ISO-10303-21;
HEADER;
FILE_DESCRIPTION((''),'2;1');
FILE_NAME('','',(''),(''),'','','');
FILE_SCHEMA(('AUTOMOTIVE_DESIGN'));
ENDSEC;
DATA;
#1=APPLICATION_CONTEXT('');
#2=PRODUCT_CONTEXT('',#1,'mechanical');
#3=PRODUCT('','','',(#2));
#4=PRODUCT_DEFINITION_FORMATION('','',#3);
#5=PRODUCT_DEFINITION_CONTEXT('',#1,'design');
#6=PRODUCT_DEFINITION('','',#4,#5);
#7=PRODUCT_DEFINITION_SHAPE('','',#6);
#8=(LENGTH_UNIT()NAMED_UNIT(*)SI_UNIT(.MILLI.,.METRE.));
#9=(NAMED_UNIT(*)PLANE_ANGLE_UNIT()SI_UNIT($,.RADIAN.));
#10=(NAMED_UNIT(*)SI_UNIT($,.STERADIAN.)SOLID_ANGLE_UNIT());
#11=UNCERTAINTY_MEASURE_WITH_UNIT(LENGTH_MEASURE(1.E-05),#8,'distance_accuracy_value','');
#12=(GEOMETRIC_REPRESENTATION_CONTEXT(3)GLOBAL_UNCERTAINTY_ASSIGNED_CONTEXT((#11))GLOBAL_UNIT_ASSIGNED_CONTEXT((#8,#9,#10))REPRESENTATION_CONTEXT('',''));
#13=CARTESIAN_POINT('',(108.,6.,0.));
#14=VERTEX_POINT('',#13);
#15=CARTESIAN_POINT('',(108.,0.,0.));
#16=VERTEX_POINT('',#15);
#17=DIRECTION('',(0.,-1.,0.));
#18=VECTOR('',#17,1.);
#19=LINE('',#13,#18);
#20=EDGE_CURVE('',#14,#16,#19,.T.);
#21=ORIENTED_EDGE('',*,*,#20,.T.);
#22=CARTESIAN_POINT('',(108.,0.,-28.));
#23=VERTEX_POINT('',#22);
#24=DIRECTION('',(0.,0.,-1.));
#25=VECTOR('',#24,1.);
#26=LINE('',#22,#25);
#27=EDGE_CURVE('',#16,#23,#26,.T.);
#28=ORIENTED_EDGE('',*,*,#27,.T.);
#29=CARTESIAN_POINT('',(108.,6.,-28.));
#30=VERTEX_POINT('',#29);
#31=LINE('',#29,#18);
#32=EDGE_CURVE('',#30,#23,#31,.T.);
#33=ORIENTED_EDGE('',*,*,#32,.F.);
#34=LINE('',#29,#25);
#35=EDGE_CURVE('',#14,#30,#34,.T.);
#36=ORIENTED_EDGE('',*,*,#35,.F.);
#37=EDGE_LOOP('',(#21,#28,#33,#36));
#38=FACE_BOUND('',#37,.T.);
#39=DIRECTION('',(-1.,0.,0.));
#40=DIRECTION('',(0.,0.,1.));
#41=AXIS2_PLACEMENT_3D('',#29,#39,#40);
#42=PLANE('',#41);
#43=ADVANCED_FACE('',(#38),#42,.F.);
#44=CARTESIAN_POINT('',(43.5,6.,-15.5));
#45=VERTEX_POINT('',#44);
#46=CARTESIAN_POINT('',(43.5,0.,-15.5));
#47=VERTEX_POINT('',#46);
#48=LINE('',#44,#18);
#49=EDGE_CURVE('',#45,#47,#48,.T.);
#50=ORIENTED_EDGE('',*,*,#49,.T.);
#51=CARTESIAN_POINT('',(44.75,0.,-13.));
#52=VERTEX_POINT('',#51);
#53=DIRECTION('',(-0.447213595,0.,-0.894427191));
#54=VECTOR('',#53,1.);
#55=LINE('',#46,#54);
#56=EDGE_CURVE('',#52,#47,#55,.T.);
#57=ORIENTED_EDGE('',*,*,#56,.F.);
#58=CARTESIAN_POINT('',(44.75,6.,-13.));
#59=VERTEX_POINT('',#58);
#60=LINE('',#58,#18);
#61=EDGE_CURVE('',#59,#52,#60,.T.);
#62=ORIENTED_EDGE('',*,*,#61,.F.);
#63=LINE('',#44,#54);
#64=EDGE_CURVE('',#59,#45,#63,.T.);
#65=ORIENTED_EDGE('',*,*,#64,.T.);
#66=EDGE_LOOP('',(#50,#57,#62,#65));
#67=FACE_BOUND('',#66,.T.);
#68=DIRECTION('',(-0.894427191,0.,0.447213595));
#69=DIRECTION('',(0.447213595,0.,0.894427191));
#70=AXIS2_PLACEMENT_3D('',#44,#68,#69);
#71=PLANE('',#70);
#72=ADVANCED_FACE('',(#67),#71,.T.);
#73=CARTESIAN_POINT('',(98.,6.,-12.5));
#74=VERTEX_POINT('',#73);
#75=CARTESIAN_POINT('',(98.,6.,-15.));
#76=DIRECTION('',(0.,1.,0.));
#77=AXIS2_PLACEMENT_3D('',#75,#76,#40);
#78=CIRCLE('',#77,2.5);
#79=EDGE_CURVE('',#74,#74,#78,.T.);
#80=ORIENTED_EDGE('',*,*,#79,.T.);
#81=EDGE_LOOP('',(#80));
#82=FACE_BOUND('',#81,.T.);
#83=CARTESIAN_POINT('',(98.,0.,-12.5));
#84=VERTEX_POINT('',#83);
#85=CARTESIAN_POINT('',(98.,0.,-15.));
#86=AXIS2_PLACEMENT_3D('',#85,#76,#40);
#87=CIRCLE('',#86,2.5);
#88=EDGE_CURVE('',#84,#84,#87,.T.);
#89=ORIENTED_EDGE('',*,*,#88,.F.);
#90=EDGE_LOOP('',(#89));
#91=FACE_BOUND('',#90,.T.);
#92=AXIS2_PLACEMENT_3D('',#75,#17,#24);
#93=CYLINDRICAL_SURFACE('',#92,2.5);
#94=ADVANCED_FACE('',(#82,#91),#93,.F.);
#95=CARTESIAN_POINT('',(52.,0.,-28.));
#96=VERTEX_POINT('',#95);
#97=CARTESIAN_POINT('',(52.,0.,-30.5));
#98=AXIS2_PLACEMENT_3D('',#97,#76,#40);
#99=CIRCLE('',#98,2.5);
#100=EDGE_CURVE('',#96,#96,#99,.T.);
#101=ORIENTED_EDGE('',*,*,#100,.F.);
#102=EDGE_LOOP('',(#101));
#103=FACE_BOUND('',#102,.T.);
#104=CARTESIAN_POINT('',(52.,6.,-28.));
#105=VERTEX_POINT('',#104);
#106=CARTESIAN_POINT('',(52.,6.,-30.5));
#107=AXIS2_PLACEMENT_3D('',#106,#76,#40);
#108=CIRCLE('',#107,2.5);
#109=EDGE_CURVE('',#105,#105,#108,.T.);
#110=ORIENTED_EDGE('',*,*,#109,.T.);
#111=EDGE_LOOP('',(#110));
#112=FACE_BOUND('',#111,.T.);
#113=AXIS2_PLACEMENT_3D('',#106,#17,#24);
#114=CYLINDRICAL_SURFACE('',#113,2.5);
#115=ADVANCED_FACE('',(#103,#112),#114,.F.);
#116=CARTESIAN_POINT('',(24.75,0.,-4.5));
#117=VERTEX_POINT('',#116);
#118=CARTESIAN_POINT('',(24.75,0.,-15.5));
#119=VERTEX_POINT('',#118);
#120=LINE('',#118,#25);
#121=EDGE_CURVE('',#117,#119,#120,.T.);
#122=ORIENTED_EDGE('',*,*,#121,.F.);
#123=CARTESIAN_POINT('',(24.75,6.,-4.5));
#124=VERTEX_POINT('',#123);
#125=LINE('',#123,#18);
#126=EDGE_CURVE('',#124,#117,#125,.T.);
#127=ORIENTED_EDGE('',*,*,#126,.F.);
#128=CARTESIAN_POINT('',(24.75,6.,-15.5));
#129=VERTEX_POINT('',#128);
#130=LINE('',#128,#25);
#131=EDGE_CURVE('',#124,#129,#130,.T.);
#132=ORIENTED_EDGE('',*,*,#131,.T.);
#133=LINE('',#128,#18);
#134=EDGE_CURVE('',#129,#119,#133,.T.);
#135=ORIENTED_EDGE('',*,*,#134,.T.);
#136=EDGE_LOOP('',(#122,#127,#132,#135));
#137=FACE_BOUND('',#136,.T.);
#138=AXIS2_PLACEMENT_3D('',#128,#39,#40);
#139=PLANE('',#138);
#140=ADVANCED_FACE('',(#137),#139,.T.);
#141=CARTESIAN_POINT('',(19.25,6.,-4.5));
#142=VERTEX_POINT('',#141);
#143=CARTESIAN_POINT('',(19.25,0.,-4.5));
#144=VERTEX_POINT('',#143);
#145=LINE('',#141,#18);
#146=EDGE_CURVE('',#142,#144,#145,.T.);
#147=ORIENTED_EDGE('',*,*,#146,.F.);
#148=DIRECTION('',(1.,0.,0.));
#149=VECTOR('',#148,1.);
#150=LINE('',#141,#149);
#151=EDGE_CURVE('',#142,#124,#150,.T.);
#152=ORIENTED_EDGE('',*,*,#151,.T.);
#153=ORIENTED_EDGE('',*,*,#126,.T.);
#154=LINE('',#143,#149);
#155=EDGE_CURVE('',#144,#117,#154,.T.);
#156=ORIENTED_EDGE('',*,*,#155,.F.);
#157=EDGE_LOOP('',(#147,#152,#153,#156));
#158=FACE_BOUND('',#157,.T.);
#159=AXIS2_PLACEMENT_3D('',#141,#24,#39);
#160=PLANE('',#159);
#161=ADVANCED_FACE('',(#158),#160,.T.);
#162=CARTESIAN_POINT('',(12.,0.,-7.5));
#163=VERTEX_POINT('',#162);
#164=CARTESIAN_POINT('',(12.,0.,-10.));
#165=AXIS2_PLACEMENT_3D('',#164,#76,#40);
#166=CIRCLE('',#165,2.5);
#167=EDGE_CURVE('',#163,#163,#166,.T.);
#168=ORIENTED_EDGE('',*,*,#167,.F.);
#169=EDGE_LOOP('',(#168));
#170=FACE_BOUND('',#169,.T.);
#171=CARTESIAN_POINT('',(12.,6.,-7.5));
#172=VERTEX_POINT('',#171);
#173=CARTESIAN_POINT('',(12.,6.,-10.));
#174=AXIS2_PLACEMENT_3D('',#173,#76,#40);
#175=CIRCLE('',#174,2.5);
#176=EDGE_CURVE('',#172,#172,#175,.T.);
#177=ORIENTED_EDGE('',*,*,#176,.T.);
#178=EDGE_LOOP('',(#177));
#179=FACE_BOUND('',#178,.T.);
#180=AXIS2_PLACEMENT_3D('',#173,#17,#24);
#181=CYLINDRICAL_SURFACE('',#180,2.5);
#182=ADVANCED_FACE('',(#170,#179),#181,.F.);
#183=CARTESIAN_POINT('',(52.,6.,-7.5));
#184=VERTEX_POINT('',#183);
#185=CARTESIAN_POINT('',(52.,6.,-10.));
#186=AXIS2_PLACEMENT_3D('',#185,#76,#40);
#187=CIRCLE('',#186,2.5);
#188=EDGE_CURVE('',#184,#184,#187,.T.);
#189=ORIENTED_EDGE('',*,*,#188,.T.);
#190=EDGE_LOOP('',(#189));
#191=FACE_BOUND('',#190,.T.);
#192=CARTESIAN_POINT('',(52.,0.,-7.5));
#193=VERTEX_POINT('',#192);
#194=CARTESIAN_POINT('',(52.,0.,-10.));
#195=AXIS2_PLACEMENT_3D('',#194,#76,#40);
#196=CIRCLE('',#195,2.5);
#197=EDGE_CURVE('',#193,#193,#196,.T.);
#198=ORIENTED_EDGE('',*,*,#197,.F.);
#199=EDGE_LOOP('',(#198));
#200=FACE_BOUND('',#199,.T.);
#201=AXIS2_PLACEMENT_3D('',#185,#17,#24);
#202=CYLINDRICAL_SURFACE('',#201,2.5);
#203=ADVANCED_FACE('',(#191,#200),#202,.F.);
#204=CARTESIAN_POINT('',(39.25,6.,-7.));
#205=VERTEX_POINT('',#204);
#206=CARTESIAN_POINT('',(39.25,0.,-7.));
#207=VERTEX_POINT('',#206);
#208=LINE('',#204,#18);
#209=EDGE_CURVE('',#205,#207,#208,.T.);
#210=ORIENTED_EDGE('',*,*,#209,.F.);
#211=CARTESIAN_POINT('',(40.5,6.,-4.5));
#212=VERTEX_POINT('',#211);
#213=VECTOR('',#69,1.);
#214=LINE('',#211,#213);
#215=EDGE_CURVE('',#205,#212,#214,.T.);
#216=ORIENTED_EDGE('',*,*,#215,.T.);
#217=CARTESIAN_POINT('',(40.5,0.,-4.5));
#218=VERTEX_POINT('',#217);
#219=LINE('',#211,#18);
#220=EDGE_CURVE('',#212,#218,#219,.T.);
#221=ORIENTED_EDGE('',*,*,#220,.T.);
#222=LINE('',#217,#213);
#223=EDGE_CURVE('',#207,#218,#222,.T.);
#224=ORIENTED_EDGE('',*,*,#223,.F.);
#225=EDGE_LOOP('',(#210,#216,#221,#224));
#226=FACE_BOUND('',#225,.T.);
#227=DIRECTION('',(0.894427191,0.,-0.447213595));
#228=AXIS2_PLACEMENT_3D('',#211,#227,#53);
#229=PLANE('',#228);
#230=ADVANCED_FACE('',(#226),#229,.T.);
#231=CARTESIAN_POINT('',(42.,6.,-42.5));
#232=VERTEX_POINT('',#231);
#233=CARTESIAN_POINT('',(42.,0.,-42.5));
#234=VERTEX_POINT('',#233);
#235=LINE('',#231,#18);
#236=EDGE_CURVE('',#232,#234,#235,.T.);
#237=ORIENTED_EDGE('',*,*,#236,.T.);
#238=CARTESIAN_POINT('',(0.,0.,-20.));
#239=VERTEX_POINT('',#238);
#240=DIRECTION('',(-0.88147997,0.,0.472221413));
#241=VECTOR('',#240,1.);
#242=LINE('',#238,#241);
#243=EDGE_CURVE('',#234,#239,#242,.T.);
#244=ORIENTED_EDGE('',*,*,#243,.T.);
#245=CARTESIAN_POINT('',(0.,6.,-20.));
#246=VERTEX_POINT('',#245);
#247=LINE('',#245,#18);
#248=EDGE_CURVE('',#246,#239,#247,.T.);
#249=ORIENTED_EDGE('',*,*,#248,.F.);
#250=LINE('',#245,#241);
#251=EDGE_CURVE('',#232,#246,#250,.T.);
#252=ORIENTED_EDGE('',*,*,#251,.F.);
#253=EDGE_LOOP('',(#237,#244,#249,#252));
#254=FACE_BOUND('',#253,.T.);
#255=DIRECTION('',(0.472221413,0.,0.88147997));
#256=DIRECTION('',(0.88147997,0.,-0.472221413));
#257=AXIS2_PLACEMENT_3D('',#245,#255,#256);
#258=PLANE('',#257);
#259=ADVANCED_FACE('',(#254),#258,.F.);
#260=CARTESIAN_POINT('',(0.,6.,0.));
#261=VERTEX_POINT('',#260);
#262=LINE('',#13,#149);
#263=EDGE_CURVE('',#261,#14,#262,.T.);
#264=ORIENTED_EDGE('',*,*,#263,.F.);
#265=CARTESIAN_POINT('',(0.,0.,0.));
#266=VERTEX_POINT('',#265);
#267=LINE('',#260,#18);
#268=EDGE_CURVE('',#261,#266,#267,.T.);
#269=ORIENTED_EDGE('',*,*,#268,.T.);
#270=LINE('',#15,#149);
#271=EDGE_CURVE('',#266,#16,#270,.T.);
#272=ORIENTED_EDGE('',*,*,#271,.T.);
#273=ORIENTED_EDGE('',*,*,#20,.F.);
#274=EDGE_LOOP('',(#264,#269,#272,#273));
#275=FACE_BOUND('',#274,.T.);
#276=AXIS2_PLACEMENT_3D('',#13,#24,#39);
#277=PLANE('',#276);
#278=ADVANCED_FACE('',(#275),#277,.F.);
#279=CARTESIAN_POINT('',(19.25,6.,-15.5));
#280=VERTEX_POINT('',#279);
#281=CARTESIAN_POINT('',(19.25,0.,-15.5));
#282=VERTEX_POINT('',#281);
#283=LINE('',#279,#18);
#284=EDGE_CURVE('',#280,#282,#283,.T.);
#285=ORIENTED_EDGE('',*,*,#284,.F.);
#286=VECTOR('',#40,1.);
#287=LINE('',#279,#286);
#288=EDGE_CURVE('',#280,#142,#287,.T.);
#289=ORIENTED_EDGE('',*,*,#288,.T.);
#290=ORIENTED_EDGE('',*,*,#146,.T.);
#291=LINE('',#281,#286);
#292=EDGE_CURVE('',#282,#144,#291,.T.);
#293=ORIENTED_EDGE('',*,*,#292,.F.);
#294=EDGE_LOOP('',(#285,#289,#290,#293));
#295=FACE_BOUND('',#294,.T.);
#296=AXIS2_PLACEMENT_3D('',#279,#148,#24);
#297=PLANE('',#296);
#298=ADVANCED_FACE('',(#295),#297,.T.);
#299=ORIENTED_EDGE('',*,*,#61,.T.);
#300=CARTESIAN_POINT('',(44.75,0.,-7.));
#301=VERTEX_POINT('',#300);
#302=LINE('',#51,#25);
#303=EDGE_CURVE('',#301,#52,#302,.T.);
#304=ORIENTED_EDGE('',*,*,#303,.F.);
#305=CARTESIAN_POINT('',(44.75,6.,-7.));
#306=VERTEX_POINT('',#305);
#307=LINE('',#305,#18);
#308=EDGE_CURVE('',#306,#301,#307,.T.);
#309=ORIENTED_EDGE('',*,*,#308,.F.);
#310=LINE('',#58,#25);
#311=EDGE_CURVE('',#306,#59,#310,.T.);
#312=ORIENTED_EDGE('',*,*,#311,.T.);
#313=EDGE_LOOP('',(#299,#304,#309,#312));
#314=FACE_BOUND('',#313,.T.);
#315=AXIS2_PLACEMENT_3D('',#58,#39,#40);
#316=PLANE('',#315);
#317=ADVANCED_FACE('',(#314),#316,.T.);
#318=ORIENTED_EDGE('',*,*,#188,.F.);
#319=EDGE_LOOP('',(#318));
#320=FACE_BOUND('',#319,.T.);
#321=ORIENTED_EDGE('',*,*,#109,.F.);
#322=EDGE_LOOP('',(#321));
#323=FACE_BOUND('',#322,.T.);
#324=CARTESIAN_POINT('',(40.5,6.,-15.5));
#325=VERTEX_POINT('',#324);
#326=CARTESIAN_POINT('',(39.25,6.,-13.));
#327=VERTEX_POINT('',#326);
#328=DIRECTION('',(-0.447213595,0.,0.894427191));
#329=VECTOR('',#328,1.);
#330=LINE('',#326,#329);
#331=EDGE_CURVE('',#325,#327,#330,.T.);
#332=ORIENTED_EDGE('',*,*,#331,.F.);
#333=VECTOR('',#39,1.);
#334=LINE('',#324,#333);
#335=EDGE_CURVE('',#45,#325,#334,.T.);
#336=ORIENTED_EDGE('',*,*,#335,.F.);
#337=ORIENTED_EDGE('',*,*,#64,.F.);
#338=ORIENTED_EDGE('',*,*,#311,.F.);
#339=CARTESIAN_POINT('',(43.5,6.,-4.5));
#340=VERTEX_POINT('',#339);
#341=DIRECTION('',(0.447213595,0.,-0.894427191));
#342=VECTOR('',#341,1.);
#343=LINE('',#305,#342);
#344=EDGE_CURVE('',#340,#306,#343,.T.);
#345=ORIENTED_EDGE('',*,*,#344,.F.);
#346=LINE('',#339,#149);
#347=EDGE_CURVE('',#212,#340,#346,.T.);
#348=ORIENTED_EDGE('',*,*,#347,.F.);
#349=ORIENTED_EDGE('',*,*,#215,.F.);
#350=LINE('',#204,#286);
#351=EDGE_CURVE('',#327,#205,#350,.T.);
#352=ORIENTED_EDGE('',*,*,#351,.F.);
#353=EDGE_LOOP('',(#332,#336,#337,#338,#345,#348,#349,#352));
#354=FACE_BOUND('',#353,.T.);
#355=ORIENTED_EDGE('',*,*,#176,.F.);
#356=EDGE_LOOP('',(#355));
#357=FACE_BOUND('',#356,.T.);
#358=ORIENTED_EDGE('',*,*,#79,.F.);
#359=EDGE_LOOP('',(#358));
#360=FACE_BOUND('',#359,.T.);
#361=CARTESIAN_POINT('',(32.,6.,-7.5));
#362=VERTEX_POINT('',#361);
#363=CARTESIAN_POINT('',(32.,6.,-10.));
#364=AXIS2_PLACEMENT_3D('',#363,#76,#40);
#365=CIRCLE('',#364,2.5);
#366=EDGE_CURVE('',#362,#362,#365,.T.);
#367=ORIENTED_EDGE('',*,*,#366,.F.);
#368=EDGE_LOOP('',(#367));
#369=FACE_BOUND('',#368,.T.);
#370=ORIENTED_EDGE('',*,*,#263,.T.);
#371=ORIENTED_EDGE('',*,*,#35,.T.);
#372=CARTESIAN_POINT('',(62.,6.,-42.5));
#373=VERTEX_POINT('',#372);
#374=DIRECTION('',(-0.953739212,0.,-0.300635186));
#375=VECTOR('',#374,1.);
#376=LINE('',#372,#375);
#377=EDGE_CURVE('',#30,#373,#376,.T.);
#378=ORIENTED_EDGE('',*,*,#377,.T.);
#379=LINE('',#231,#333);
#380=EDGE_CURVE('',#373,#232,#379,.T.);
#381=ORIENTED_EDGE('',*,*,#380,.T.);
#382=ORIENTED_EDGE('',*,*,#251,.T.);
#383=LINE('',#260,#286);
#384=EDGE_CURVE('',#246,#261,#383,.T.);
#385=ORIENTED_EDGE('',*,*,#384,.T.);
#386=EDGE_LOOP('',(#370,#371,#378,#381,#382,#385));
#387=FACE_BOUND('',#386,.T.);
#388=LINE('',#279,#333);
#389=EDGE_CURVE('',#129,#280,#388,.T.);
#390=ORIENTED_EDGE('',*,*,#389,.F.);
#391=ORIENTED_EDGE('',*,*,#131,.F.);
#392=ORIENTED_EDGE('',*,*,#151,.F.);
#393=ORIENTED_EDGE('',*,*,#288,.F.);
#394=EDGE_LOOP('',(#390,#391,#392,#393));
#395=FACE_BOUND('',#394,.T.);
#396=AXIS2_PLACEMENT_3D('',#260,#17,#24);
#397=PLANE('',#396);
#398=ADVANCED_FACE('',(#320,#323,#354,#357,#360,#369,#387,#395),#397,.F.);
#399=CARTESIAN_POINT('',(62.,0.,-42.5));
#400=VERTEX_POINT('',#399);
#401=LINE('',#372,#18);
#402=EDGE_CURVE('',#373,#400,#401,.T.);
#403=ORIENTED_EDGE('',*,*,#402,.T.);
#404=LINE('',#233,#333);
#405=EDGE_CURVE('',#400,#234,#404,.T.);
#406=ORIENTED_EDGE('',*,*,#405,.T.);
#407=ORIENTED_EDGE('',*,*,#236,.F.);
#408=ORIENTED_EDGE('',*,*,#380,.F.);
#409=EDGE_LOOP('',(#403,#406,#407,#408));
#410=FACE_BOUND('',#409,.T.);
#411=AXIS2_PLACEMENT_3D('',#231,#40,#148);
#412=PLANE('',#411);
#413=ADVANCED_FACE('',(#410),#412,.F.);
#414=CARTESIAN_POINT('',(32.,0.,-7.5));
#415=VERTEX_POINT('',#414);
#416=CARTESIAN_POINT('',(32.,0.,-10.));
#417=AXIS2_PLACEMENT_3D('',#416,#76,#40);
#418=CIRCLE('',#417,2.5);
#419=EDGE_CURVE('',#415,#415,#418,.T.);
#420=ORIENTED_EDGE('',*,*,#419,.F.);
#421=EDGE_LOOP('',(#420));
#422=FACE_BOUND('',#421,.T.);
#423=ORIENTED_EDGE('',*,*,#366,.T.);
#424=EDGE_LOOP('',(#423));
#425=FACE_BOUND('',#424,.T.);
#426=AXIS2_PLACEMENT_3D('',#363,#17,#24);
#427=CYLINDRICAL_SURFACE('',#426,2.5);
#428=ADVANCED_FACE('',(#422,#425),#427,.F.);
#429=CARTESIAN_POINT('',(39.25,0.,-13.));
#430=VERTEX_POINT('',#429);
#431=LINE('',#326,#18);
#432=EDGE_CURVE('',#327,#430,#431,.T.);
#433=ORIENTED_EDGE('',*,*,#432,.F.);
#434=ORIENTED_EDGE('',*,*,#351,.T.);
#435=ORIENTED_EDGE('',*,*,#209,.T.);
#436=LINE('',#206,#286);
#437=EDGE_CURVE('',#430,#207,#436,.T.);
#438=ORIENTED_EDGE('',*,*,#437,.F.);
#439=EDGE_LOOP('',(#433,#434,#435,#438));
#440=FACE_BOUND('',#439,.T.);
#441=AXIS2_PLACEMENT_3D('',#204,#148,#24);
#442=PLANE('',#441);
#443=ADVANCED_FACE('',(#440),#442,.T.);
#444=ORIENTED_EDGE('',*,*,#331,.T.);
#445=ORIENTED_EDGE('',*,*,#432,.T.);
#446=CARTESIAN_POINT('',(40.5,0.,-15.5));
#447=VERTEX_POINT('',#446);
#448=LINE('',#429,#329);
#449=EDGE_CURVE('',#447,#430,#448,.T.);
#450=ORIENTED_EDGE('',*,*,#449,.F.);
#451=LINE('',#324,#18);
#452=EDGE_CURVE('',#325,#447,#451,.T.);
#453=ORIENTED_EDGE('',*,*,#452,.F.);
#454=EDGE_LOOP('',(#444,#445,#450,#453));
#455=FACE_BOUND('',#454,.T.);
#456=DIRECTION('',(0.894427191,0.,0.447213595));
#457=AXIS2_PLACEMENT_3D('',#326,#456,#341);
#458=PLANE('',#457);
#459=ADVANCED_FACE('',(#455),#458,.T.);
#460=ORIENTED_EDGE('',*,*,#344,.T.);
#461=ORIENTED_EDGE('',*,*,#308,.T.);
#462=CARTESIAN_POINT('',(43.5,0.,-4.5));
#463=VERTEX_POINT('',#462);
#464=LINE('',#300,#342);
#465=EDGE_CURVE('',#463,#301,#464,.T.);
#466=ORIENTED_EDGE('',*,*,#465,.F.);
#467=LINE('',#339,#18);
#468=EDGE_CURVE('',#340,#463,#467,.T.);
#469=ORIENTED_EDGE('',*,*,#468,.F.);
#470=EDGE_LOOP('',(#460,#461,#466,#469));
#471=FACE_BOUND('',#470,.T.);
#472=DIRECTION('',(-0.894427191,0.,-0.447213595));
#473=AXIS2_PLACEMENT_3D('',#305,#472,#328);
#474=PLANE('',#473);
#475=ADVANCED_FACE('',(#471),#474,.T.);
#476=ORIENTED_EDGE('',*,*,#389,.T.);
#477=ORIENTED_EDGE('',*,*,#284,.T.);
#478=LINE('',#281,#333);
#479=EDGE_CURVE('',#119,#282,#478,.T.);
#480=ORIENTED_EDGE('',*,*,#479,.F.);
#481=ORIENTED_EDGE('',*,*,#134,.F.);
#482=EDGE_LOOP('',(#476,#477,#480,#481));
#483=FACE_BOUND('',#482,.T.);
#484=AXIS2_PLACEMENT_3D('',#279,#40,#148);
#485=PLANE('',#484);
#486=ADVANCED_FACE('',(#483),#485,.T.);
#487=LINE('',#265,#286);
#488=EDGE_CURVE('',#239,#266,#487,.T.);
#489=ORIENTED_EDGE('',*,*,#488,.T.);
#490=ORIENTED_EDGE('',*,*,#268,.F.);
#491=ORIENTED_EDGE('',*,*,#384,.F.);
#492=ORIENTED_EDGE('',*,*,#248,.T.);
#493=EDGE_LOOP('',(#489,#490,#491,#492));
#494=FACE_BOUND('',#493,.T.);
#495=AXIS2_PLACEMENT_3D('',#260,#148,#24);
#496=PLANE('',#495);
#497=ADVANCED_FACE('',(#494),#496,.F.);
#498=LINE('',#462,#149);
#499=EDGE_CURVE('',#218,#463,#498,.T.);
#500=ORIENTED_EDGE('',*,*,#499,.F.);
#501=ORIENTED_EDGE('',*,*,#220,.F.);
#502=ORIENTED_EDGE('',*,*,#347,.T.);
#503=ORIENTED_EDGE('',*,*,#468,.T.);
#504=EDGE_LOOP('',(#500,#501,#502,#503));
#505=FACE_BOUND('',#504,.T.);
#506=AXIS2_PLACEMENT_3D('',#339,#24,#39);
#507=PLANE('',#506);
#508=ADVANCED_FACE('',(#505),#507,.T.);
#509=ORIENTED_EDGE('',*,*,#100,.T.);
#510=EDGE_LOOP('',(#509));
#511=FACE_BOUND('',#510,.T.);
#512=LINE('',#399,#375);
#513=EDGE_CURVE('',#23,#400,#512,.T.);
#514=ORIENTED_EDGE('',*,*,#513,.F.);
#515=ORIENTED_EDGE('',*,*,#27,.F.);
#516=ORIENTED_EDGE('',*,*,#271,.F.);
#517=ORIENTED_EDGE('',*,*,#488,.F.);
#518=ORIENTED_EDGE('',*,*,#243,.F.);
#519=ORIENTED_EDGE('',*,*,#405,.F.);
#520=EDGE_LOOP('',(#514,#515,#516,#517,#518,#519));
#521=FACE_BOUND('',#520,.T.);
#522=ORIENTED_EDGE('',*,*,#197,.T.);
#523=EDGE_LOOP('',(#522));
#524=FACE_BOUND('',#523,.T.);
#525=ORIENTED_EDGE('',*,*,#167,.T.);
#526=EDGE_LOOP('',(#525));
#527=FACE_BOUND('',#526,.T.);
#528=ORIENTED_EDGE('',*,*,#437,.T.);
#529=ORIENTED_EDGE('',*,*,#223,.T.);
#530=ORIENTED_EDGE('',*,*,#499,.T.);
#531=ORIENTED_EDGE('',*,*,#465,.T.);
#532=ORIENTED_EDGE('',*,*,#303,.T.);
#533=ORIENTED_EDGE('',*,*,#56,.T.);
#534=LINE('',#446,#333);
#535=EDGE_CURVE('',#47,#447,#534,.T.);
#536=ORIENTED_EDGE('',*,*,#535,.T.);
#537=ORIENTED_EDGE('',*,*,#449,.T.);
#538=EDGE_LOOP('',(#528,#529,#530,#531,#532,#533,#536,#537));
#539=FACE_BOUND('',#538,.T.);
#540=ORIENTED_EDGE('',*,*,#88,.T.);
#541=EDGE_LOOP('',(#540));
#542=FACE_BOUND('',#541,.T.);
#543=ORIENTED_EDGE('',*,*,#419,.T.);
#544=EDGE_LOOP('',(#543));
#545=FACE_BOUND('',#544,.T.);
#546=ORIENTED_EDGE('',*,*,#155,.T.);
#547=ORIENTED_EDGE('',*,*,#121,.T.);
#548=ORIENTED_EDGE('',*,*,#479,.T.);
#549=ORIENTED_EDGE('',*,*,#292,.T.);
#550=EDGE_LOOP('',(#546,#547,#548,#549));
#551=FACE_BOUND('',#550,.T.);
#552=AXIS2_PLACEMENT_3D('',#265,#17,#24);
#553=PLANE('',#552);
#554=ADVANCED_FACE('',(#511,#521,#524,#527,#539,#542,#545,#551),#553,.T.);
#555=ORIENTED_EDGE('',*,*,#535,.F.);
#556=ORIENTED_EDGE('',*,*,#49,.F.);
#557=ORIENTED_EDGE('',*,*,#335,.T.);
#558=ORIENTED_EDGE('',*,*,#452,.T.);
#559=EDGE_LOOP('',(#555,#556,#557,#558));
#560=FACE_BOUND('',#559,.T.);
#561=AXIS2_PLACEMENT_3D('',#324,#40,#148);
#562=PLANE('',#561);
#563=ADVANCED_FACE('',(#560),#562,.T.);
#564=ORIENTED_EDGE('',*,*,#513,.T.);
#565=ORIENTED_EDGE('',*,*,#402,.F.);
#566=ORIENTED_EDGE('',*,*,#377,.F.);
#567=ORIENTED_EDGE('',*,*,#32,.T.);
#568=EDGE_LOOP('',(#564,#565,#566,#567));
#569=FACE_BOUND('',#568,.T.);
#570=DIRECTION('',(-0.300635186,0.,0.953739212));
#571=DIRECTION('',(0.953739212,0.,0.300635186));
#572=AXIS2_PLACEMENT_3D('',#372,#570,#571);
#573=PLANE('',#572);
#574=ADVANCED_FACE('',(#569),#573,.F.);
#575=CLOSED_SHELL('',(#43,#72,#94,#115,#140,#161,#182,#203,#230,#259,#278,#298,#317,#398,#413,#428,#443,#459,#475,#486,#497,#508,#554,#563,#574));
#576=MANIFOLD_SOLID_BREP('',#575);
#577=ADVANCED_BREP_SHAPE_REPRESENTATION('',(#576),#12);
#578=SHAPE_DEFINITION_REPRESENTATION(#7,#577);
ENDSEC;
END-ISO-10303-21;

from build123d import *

# Parameters (mm, degrees)
SKETCH1_R           = 2.5
SKETCH1_W           = 5.5
SKETCH1_H           = 11
BOSS_EXTRUDE1_DEPTH = 6


with BuildPart() as part:
    # Sketch1 → Boss-Extrude1 (new body)
    with BuildSketch(Plane(origin=(0, 0, 0), x_dir=(1, 0, 0), z_dir=(0, 1, 0))):
        Polygon((0, 0), (0, 20), (42, 42.5), (62, 42.5), (108, 28), (108, 0), align=None)
        with Locations(Location((52, 30.5, 0), (0, 0, 270))):
            Circle(SKETCH1_R, mode=Mode.SUBTRACT)
        with Locations(Location((52, 10, 0), (0, 0, 270))):
            Circle(SKETCH1_R, mode=Mode.SUBTRACT)
        with Locations(Location((32, 10, 0), (0, 0, 270))):
            Circle(SKETCH1_R, mode=Mode.SUBTRACT)
        with Locations(Location((12, 10, 0), (0, 0, 270))):
            Circle(SKETCH1_R, mode=Mode.SUBTRACT)
        with Locations(Location((98, 15, 0), (0, 0, 270))):
            Circle(SKETCH1_R, mode=Mode.SUBTRACT)
        with Locations((22, 10)):
            Rectangle(SKETCH1_W, SKETCH1_H, mode=Mode.SUBTRACT)
        Polygon((40.5, 15.5), (43.5, 15.5), (44.75, 13), (44.75, 7), (43.5, 4.5), (40.5, 4.5), (39.25, 7), (39.25, 13), align=None, mode=Mode.SUBTRACT)
    extrude(amount=BOSS_EXTRUDE1_DEPTH)


solid = part.part
